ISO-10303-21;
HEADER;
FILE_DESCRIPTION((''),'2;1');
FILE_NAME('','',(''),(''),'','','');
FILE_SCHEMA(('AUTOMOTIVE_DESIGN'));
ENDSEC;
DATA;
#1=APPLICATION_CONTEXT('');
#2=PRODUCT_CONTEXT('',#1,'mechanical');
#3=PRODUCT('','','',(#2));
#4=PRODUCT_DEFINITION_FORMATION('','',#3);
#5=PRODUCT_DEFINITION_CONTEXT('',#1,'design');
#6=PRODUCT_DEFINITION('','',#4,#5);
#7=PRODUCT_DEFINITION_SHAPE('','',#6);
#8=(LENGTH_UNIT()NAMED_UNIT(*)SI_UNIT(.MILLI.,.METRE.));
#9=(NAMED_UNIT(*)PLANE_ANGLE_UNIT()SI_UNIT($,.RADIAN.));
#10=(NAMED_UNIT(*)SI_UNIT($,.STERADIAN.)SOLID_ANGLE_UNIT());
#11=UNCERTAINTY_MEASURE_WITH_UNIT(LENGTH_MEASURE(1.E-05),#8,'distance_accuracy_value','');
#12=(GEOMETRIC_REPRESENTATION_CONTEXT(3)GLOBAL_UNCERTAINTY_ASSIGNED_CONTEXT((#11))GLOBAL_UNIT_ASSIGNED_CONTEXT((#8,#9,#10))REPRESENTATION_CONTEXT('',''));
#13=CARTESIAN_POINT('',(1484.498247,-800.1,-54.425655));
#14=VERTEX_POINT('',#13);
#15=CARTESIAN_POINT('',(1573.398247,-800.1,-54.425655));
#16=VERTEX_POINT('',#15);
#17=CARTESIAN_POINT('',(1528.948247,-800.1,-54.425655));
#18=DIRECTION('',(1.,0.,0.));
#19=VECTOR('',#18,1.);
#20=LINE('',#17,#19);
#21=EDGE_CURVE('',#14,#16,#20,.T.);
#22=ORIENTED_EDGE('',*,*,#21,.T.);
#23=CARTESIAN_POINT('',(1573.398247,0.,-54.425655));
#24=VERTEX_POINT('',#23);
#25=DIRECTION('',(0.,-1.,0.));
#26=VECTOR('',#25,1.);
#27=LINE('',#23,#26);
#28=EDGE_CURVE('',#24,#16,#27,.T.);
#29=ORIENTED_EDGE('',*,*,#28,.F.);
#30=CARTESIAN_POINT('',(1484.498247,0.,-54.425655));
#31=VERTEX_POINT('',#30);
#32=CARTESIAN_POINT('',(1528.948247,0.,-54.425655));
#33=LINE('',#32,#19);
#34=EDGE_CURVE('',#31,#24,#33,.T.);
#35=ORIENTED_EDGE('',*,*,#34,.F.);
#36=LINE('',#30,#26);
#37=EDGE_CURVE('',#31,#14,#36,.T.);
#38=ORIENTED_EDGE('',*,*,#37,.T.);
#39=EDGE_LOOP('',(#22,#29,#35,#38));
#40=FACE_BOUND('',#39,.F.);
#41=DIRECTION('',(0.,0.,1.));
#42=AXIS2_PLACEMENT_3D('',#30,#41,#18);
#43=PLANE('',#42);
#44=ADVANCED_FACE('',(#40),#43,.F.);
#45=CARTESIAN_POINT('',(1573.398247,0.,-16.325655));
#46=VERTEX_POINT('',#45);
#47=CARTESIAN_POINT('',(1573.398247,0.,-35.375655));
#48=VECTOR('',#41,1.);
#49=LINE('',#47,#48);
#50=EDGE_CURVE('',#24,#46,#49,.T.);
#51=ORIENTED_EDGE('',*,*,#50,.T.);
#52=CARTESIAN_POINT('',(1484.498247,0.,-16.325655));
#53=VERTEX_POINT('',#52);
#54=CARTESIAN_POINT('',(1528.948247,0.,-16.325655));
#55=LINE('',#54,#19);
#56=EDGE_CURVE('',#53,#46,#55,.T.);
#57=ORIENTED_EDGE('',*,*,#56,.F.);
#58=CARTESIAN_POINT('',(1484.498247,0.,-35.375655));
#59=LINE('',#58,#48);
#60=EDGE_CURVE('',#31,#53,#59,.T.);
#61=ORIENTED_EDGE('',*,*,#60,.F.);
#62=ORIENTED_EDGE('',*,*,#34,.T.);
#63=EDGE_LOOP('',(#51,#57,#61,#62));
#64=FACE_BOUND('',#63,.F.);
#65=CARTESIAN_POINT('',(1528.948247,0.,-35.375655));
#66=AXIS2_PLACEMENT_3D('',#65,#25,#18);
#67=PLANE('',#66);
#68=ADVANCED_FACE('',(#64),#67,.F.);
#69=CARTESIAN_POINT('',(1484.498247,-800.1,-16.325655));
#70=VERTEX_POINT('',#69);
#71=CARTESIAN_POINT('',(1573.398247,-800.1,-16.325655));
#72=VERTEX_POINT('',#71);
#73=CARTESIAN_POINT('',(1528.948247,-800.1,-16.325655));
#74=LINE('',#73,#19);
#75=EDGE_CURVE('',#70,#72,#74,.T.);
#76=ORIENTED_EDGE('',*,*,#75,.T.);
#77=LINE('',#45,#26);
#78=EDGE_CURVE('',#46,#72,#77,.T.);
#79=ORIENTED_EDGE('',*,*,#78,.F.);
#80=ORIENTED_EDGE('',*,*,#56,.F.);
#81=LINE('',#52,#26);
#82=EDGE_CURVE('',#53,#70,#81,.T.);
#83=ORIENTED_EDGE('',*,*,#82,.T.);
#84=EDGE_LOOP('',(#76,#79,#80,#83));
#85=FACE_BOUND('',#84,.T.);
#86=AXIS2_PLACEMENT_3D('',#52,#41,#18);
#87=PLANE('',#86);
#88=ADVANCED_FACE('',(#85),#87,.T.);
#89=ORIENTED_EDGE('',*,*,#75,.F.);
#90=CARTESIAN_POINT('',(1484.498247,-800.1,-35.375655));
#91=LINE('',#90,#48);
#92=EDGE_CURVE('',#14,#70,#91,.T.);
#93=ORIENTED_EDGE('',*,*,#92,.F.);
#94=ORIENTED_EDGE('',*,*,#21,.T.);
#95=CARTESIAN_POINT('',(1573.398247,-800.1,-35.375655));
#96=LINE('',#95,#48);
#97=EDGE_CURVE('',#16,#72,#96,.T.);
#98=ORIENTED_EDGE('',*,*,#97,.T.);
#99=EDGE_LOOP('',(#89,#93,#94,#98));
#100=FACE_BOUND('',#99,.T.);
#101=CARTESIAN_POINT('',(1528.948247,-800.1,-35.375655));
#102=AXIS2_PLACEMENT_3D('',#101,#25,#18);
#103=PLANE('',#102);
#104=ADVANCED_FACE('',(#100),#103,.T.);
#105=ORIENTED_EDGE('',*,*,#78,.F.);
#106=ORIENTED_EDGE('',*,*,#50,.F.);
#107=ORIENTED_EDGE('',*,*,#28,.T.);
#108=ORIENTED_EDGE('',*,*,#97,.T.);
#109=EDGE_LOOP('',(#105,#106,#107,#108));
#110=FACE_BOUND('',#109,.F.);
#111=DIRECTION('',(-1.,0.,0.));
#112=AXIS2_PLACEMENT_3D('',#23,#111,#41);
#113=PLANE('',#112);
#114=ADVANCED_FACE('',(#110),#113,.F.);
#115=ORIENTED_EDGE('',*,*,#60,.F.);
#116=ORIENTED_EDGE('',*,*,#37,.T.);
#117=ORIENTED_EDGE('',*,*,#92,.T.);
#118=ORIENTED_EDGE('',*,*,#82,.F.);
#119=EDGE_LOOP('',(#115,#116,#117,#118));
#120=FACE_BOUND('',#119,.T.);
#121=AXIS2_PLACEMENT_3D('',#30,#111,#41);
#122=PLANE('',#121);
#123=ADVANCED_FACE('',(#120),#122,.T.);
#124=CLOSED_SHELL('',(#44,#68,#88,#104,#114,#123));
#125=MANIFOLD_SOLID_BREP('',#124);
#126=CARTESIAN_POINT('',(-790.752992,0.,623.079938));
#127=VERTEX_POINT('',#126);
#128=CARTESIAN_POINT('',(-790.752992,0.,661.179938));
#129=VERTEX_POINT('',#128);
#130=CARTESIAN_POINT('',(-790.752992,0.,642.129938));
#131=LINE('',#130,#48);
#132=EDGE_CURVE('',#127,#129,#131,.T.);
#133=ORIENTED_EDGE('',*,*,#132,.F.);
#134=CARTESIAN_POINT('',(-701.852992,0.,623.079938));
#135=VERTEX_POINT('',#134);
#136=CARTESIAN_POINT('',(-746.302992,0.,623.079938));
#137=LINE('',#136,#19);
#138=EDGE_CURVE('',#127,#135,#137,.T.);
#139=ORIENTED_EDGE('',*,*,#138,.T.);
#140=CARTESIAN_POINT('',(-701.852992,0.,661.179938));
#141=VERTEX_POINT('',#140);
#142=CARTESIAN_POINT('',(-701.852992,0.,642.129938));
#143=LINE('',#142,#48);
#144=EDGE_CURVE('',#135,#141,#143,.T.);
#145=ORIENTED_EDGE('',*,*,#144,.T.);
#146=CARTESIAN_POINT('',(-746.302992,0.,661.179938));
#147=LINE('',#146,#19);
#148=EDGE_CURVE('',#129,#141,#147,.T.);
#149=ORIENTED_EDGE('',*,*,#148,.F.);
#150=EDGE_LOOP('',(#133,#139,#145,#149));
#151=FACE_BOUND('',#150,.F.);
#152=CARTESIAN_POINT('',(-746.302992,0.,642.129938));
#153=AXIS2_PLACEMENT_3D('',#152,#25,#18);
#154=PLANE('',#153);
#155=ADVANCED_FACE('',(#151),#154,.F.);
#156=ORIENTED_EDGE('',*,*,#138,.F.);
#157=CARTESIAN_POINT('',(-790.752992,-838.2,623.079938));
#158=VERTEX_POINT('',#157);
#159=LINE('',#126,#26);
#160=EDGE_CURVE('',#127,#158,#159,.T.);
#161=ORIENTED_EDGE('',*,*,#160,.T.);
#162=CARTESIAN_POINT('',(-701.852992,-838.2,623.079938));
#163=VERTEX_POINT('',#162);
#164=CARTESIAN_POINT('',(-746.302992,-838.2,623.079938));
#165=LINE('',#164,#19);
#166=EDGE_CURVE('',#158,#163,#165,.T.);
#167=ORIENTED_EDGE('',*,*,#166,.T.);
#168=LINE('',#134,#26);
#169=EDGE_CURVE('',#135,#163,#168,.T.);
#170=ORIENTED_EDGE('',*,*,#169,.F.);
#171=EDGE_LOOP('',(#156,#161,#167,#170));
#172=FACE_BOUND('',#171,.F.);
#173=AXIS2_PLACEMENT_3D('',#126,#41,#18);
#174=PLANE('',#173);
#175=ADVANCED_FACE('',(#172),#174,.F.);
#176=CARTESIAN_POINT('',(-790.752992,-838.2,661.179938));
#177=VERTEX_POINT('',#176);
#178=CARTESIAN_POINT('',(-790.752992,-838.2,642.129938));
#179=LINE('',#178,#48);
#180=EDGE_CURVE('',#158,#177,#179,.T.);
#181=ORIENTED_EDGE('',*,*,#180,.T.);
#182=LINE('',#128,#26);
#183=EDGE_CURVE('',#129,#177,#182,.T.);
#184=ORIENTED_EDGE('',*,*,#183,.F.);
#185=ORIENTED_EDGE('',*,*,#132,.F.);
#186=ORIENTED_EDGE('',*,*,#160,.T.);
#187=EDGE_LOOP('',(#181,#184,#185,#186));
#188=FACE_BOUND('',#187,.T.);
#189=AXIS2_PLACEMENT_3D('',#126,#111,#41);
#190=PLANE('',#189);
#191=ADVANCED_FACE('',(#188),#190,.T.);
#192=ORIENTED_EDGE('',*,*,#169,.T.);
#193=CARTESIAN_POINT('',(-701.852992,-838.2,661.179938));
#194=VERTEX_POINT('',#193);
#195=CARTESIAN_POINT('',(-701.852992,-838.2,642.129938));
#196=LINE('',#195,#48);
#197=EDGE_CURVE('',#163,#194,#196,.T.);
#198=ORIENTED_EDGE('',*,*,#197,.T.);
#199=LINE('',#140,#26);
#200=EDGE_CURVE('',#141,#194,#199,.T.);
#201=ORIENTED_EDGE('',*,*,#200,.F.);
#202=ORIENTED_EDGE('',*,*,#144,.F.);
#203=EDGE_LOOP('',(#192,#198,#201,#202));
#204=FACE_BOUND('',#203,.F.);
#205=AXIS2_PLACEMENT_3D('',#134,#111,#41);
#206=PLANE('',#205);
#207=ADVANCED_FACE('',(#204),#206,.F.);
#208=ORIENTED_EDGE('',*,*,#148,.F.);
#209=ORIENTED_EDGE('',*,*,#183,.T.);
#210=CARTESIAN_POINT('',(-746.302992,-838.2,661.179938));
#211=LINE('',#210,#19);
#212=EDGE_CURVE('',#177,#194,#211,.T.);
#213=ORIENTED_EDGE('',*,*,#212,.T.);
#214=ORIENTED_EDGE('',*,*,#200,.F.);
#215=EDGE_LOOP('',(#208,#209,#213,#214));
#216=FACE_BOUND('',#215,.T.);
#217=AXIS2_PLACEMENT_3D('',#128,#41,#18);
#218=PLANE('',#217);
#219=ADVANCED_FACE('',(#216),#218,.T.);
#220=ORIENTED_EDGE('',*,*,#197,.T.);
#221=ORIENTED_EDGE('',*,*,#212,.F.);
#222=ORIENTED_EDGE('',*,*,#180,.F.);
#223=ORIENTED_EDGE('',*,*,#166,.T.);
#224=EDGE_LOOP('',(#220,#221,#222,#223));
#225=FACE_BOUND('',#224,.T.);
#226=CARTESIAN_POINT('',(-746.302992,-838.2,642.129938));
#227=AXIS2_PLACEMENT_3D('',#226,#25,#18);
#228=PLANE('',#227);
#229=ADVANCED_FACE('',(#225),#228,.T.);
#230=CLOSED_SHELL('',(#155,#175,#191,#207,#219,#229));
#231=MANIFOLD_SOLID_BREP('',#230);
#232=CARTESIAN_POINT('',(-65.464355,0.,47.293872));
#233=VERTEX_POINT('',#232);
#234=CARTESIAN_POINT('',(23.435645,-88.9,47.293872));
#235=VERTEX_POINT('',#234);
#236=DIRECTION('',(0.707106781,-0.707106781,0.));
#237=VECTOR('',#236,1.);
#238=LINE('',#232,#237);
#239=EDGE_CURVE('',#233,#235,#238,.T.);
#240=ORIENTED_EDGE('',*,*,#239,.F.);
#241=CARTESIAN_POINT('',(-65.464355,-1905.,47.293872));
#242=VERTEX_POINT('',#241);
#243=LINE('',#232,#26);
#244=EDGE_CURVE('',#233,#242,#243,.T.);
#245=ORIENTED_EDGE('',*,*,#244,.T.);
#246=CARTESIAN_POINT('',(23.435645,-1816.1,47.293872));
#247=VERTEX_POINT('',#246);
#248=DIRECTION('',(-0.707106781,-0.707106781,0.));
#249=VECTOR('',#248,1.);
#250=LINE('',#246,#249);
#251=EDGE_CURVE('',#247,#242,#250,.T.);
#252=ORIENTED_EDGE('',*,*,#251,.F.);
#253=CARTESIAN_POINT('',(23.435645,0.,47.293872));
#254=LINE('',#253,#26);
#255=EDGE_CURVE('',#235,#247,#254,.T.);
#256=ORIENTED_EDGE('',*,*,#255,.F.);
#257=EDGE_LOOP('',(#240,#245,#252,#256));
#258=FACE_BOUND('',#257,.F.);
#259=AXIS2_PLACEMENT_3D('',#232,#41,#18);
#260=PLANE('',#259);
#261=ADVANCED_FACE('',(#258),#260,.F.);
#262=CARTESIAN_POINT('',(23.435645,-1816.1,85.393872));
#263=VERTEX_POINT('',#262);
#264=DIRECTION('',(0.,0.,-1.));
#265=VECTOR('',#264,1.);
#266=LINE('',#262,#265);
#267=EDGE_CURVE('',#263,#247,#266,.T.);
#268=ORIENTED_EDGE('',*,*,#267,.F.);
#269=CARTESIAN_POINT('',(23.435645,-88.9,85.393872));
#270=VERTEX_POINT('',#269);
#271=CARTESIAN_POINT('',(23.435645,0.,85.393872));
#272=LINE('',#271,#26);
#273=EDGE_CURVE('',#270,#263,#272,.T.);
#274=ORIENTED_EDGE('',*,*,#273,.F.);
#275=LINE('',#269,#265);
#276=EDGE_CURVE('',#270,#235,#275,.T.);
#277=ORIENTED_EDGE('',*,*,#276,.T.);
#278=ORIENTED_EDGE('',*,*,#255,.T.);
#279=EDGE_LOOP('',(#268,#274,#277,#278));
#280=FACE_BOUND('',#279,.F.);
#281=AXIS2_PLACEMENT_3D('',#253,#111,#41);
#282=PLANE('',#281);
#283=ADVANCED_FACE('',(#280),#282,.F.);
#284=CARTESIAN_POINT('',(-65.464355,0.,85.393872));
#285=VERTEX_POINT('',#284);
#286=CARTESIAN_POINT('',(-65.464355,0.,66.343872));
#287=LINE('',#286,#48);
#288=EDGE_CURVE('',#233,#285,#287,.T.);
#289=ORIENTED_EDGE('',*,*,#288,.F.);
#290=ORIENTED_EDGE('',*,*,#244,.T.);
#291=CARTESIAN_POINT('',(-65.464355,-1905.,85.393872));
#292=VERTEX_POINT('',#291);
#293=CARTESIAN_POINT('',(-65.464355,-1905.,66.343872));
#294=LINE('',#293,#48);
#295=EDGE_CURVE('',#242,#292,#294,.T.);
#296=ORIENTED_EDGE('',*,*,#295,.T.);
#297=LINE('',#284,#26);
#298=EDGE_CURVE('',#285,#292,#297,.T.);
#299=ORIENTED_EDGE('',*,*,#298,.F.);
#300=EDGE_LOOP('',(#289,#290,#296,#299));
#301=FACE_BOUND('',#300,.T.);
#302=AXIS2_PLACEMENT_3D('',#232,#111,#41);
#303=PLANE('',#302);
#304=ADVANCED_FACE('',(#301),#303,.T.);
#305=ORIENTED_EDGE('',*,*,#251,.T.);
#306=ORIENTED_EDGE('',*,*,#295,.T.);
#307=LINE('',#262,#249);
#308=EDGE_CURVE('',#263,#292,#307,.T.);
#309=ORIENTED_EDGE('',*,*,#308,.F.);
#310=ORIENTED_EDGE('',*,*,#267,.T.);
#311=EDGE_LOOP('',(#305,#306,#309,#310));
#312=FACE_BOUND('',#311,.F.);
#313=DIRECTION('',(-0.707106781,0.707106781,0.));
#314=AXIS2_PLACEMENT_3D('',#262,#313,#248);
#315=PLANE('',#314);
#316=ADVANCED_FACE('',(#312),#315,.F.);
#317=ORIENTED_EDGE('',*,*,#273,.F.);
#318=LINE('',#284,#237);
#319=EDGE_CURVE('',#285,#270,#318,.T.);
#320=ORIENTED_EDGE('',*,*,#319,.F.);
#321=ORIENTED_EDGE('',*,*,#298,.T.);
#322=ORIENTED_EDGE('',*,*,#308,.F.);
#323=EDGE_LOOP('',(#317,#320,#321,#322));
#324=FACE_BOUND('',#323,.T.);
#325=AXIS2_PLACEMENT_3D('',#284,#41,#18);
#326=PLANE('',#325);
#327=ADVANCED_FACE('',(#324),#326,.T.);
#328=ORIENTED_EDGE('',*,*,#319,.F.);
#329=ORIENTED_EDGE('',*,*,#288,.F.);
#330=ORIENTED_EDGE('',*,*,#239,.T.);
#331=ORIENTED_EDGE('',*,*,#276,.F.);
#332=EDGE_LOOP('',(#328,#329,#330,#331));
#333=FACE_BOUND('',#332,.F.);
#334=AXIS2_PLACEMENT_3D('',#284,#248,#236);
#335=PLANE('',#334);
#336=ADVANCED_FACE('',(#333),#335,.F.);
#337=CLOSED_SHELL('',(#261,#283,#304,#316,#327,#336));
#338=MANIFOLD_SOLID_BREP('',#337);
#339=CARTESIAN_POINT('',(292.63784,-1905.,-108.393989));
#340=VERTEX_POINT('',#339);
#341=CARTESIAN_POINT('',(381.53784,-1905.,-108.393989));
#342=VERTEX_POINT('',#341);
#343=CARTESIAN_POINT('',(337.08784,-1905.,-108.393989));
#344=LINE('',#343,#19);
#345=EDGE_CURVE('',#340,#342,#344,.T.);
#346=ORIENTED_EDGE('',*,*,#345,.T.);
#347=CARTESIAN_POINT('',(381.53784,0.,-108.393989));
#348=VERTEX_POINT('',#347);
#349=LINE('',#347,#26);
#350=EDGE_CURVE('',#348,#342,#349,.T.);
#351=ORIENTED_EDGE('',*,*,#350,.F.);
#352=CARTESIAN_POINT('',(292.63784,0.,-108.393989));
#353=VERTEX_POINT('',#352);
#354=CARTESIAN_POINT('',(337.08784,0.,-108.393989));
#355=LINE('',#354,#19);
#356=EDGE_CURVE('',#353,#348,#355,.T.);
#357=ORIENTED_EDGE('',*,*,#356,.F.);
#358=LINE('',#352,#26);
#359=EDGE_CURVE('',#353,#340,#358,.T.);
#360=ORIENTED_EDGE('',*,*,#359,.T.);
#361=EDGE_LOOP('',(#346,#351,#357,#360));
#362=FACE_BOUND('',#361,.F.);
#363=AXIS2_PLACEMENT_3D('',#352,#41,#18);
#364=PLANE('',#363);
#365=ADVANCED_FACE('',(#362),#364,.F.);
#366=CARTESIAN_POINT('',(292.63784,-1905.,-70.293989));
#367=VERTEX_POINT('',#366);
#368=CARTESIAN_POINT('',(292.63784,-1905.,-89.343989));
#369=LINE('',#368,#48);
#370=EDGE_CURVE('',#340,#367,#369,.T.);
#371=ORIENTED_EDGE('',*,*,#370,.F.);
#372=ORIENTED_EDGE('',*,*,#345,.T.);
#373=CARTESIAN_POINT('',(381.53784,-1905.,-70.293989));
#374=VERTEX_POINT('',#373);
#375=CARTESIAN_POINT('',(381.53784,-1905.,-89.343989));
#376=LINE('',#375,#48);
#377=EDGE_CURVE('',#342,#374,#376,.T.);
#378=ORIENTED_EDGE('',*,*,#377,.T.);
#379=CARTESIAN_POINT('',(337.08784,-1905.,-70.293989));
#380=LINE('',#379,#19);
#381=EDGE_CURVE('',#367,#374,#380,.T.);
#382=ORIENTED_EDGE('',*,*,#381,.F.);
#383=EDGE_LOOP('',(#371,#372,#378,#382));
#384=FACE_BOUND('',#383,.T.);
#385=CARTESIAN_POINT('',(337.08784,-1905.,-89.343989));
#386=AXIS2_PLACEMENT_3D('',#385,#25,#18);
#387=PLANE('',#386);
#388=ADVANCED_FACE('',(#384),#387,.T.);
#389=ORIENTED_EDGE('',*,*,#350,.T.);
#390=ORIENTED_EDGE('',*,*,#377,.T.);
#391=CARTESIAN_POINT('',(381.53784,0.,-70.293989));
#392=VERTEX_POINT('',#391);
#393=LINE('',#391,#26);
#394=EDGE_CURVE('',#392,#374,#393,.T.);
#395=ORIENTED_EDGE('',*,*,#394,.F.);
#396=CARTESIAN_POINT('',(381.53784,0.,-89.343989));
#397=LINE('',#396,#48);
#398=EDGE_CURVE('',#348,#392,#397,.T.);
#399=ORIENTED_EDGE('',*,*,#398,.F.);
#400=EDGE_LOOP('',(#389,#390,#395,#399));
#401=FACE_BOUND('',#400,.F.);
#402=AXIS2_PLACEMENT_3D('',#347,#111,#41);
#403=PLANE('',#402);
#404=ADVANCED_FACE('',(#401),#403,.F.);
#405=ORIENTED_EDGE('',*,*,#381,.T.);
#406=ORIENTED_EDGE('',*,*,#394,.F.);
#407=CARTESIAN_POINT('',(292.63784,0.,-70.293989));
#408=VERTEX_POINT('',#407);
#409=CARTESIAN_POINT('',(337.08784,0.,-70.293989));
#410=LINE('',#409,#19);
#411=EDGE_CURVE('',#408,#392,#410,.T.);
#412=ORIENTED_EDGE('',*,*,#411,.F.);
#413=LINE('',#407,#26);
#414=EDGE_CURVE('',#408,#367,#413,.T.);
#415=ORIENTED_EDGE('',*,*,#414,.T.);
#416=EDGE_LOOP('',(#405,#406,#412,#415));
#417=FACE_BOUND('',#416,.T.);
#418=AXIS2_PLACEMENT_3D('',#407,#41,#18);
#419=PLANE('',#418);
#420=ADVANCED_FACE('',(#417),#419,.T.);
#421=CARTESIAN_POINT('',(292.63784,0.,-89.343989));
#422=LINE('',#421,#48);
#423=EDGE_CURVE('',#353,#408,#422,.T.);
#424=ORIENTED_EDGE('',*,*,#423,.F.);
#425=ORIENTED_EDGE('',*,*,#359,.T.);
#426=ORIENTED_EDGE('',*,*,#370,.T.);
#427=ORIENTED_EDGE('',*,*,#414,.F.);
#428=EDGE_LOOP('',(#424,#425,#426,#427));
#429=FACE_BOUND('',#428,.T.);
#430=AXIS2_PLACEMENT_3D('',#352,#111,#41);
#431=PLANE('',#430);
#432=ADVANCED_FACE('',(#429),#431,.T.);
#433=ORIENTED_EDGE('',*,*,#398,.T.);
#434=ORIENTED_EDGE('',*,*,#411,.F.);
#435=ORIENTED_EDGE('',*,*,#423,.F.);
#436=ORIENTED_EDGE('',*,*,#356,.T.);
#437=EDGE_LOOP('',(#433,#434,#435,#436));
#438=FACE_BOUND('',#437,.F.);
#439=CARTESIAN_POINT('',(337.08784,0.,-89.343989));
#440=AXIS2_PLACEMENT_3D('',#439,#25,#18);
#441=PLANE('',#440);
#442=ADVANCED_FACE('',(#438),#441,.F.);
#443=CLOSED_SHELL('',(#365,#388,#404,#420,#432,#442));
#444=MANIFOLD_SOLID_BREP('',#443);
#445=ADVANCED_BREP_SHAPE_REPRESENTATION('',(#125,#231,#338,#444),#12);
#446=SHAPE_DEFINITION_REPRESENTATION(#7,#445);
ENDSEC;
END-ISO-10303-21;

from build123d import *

# Parameters (mm, degrees)
F0_W     = 88.9
F0_H     = 38.1
F1_DEPTH = 1905
F3_DEPTH = 38.1
F4_W     = 88.9
F4_H     = 38.1
F5_DEPTH = 1905
F6_W     = 88.9
F6_H     = 38.1
F7_DEPTH = 800.1
F8_W     = 88.9
F8_H     = 38.1
F9_DEPTH = 838.2


with BuildPart() as f1:
    # F0 (on Front) → F1 (new body)
    with BuildSketch(Plane.XZ):
        with Locations((-21.014355, 66.343872)):
            Rectangle(F0_W, F0_H)
    extrude(amount=F1_DEPTH)

    # F2 (on face) → F3 (cut, through all)
    with BuildSketch(Plane.XY.offset(85.393872)):
        Polygon((23.435645, -1816.1), (-65.464355, -1905), (23.435645, -1905), align=None)
        Polygon((-65.464355, 0), (23.435645, -88.9), (23.435645, 0), align=None)
    extrude(amount=-F3_DEPTH, mode=Mode.SUBTRACT)


with BuildPart() as f5:
    # F4 (on Front) → F5 (new body)
    with BuildSketch(Plane.XZ):
        with Locations((337.08784, -89.343989)):
            Rectangle(F4_W, F4_H)
    extrude(amount=F5_DEPTH)


with BuildPart() as f7:
    # F6 (on Front) → F7 (new body)
    with BuildSketch(Plane.XZ):
        with Locations((1528.948247, -35.375655)):
            Rectangle(F6_W, F6_H)
    extrude(amount=F7_DEPTH)


with BuildPart() as f9:
    # F8 (on Front) → F9 (new body)
    with BuildSketch(Plane.XZ):
        with Locations((-746.302992, 642.129938)):
            Rectangle(F8_W, F8_H)
    extrude(amount=F9_DEPTH)


solid = Compound([f1.part, f5.part, f7.part, f9.part])
